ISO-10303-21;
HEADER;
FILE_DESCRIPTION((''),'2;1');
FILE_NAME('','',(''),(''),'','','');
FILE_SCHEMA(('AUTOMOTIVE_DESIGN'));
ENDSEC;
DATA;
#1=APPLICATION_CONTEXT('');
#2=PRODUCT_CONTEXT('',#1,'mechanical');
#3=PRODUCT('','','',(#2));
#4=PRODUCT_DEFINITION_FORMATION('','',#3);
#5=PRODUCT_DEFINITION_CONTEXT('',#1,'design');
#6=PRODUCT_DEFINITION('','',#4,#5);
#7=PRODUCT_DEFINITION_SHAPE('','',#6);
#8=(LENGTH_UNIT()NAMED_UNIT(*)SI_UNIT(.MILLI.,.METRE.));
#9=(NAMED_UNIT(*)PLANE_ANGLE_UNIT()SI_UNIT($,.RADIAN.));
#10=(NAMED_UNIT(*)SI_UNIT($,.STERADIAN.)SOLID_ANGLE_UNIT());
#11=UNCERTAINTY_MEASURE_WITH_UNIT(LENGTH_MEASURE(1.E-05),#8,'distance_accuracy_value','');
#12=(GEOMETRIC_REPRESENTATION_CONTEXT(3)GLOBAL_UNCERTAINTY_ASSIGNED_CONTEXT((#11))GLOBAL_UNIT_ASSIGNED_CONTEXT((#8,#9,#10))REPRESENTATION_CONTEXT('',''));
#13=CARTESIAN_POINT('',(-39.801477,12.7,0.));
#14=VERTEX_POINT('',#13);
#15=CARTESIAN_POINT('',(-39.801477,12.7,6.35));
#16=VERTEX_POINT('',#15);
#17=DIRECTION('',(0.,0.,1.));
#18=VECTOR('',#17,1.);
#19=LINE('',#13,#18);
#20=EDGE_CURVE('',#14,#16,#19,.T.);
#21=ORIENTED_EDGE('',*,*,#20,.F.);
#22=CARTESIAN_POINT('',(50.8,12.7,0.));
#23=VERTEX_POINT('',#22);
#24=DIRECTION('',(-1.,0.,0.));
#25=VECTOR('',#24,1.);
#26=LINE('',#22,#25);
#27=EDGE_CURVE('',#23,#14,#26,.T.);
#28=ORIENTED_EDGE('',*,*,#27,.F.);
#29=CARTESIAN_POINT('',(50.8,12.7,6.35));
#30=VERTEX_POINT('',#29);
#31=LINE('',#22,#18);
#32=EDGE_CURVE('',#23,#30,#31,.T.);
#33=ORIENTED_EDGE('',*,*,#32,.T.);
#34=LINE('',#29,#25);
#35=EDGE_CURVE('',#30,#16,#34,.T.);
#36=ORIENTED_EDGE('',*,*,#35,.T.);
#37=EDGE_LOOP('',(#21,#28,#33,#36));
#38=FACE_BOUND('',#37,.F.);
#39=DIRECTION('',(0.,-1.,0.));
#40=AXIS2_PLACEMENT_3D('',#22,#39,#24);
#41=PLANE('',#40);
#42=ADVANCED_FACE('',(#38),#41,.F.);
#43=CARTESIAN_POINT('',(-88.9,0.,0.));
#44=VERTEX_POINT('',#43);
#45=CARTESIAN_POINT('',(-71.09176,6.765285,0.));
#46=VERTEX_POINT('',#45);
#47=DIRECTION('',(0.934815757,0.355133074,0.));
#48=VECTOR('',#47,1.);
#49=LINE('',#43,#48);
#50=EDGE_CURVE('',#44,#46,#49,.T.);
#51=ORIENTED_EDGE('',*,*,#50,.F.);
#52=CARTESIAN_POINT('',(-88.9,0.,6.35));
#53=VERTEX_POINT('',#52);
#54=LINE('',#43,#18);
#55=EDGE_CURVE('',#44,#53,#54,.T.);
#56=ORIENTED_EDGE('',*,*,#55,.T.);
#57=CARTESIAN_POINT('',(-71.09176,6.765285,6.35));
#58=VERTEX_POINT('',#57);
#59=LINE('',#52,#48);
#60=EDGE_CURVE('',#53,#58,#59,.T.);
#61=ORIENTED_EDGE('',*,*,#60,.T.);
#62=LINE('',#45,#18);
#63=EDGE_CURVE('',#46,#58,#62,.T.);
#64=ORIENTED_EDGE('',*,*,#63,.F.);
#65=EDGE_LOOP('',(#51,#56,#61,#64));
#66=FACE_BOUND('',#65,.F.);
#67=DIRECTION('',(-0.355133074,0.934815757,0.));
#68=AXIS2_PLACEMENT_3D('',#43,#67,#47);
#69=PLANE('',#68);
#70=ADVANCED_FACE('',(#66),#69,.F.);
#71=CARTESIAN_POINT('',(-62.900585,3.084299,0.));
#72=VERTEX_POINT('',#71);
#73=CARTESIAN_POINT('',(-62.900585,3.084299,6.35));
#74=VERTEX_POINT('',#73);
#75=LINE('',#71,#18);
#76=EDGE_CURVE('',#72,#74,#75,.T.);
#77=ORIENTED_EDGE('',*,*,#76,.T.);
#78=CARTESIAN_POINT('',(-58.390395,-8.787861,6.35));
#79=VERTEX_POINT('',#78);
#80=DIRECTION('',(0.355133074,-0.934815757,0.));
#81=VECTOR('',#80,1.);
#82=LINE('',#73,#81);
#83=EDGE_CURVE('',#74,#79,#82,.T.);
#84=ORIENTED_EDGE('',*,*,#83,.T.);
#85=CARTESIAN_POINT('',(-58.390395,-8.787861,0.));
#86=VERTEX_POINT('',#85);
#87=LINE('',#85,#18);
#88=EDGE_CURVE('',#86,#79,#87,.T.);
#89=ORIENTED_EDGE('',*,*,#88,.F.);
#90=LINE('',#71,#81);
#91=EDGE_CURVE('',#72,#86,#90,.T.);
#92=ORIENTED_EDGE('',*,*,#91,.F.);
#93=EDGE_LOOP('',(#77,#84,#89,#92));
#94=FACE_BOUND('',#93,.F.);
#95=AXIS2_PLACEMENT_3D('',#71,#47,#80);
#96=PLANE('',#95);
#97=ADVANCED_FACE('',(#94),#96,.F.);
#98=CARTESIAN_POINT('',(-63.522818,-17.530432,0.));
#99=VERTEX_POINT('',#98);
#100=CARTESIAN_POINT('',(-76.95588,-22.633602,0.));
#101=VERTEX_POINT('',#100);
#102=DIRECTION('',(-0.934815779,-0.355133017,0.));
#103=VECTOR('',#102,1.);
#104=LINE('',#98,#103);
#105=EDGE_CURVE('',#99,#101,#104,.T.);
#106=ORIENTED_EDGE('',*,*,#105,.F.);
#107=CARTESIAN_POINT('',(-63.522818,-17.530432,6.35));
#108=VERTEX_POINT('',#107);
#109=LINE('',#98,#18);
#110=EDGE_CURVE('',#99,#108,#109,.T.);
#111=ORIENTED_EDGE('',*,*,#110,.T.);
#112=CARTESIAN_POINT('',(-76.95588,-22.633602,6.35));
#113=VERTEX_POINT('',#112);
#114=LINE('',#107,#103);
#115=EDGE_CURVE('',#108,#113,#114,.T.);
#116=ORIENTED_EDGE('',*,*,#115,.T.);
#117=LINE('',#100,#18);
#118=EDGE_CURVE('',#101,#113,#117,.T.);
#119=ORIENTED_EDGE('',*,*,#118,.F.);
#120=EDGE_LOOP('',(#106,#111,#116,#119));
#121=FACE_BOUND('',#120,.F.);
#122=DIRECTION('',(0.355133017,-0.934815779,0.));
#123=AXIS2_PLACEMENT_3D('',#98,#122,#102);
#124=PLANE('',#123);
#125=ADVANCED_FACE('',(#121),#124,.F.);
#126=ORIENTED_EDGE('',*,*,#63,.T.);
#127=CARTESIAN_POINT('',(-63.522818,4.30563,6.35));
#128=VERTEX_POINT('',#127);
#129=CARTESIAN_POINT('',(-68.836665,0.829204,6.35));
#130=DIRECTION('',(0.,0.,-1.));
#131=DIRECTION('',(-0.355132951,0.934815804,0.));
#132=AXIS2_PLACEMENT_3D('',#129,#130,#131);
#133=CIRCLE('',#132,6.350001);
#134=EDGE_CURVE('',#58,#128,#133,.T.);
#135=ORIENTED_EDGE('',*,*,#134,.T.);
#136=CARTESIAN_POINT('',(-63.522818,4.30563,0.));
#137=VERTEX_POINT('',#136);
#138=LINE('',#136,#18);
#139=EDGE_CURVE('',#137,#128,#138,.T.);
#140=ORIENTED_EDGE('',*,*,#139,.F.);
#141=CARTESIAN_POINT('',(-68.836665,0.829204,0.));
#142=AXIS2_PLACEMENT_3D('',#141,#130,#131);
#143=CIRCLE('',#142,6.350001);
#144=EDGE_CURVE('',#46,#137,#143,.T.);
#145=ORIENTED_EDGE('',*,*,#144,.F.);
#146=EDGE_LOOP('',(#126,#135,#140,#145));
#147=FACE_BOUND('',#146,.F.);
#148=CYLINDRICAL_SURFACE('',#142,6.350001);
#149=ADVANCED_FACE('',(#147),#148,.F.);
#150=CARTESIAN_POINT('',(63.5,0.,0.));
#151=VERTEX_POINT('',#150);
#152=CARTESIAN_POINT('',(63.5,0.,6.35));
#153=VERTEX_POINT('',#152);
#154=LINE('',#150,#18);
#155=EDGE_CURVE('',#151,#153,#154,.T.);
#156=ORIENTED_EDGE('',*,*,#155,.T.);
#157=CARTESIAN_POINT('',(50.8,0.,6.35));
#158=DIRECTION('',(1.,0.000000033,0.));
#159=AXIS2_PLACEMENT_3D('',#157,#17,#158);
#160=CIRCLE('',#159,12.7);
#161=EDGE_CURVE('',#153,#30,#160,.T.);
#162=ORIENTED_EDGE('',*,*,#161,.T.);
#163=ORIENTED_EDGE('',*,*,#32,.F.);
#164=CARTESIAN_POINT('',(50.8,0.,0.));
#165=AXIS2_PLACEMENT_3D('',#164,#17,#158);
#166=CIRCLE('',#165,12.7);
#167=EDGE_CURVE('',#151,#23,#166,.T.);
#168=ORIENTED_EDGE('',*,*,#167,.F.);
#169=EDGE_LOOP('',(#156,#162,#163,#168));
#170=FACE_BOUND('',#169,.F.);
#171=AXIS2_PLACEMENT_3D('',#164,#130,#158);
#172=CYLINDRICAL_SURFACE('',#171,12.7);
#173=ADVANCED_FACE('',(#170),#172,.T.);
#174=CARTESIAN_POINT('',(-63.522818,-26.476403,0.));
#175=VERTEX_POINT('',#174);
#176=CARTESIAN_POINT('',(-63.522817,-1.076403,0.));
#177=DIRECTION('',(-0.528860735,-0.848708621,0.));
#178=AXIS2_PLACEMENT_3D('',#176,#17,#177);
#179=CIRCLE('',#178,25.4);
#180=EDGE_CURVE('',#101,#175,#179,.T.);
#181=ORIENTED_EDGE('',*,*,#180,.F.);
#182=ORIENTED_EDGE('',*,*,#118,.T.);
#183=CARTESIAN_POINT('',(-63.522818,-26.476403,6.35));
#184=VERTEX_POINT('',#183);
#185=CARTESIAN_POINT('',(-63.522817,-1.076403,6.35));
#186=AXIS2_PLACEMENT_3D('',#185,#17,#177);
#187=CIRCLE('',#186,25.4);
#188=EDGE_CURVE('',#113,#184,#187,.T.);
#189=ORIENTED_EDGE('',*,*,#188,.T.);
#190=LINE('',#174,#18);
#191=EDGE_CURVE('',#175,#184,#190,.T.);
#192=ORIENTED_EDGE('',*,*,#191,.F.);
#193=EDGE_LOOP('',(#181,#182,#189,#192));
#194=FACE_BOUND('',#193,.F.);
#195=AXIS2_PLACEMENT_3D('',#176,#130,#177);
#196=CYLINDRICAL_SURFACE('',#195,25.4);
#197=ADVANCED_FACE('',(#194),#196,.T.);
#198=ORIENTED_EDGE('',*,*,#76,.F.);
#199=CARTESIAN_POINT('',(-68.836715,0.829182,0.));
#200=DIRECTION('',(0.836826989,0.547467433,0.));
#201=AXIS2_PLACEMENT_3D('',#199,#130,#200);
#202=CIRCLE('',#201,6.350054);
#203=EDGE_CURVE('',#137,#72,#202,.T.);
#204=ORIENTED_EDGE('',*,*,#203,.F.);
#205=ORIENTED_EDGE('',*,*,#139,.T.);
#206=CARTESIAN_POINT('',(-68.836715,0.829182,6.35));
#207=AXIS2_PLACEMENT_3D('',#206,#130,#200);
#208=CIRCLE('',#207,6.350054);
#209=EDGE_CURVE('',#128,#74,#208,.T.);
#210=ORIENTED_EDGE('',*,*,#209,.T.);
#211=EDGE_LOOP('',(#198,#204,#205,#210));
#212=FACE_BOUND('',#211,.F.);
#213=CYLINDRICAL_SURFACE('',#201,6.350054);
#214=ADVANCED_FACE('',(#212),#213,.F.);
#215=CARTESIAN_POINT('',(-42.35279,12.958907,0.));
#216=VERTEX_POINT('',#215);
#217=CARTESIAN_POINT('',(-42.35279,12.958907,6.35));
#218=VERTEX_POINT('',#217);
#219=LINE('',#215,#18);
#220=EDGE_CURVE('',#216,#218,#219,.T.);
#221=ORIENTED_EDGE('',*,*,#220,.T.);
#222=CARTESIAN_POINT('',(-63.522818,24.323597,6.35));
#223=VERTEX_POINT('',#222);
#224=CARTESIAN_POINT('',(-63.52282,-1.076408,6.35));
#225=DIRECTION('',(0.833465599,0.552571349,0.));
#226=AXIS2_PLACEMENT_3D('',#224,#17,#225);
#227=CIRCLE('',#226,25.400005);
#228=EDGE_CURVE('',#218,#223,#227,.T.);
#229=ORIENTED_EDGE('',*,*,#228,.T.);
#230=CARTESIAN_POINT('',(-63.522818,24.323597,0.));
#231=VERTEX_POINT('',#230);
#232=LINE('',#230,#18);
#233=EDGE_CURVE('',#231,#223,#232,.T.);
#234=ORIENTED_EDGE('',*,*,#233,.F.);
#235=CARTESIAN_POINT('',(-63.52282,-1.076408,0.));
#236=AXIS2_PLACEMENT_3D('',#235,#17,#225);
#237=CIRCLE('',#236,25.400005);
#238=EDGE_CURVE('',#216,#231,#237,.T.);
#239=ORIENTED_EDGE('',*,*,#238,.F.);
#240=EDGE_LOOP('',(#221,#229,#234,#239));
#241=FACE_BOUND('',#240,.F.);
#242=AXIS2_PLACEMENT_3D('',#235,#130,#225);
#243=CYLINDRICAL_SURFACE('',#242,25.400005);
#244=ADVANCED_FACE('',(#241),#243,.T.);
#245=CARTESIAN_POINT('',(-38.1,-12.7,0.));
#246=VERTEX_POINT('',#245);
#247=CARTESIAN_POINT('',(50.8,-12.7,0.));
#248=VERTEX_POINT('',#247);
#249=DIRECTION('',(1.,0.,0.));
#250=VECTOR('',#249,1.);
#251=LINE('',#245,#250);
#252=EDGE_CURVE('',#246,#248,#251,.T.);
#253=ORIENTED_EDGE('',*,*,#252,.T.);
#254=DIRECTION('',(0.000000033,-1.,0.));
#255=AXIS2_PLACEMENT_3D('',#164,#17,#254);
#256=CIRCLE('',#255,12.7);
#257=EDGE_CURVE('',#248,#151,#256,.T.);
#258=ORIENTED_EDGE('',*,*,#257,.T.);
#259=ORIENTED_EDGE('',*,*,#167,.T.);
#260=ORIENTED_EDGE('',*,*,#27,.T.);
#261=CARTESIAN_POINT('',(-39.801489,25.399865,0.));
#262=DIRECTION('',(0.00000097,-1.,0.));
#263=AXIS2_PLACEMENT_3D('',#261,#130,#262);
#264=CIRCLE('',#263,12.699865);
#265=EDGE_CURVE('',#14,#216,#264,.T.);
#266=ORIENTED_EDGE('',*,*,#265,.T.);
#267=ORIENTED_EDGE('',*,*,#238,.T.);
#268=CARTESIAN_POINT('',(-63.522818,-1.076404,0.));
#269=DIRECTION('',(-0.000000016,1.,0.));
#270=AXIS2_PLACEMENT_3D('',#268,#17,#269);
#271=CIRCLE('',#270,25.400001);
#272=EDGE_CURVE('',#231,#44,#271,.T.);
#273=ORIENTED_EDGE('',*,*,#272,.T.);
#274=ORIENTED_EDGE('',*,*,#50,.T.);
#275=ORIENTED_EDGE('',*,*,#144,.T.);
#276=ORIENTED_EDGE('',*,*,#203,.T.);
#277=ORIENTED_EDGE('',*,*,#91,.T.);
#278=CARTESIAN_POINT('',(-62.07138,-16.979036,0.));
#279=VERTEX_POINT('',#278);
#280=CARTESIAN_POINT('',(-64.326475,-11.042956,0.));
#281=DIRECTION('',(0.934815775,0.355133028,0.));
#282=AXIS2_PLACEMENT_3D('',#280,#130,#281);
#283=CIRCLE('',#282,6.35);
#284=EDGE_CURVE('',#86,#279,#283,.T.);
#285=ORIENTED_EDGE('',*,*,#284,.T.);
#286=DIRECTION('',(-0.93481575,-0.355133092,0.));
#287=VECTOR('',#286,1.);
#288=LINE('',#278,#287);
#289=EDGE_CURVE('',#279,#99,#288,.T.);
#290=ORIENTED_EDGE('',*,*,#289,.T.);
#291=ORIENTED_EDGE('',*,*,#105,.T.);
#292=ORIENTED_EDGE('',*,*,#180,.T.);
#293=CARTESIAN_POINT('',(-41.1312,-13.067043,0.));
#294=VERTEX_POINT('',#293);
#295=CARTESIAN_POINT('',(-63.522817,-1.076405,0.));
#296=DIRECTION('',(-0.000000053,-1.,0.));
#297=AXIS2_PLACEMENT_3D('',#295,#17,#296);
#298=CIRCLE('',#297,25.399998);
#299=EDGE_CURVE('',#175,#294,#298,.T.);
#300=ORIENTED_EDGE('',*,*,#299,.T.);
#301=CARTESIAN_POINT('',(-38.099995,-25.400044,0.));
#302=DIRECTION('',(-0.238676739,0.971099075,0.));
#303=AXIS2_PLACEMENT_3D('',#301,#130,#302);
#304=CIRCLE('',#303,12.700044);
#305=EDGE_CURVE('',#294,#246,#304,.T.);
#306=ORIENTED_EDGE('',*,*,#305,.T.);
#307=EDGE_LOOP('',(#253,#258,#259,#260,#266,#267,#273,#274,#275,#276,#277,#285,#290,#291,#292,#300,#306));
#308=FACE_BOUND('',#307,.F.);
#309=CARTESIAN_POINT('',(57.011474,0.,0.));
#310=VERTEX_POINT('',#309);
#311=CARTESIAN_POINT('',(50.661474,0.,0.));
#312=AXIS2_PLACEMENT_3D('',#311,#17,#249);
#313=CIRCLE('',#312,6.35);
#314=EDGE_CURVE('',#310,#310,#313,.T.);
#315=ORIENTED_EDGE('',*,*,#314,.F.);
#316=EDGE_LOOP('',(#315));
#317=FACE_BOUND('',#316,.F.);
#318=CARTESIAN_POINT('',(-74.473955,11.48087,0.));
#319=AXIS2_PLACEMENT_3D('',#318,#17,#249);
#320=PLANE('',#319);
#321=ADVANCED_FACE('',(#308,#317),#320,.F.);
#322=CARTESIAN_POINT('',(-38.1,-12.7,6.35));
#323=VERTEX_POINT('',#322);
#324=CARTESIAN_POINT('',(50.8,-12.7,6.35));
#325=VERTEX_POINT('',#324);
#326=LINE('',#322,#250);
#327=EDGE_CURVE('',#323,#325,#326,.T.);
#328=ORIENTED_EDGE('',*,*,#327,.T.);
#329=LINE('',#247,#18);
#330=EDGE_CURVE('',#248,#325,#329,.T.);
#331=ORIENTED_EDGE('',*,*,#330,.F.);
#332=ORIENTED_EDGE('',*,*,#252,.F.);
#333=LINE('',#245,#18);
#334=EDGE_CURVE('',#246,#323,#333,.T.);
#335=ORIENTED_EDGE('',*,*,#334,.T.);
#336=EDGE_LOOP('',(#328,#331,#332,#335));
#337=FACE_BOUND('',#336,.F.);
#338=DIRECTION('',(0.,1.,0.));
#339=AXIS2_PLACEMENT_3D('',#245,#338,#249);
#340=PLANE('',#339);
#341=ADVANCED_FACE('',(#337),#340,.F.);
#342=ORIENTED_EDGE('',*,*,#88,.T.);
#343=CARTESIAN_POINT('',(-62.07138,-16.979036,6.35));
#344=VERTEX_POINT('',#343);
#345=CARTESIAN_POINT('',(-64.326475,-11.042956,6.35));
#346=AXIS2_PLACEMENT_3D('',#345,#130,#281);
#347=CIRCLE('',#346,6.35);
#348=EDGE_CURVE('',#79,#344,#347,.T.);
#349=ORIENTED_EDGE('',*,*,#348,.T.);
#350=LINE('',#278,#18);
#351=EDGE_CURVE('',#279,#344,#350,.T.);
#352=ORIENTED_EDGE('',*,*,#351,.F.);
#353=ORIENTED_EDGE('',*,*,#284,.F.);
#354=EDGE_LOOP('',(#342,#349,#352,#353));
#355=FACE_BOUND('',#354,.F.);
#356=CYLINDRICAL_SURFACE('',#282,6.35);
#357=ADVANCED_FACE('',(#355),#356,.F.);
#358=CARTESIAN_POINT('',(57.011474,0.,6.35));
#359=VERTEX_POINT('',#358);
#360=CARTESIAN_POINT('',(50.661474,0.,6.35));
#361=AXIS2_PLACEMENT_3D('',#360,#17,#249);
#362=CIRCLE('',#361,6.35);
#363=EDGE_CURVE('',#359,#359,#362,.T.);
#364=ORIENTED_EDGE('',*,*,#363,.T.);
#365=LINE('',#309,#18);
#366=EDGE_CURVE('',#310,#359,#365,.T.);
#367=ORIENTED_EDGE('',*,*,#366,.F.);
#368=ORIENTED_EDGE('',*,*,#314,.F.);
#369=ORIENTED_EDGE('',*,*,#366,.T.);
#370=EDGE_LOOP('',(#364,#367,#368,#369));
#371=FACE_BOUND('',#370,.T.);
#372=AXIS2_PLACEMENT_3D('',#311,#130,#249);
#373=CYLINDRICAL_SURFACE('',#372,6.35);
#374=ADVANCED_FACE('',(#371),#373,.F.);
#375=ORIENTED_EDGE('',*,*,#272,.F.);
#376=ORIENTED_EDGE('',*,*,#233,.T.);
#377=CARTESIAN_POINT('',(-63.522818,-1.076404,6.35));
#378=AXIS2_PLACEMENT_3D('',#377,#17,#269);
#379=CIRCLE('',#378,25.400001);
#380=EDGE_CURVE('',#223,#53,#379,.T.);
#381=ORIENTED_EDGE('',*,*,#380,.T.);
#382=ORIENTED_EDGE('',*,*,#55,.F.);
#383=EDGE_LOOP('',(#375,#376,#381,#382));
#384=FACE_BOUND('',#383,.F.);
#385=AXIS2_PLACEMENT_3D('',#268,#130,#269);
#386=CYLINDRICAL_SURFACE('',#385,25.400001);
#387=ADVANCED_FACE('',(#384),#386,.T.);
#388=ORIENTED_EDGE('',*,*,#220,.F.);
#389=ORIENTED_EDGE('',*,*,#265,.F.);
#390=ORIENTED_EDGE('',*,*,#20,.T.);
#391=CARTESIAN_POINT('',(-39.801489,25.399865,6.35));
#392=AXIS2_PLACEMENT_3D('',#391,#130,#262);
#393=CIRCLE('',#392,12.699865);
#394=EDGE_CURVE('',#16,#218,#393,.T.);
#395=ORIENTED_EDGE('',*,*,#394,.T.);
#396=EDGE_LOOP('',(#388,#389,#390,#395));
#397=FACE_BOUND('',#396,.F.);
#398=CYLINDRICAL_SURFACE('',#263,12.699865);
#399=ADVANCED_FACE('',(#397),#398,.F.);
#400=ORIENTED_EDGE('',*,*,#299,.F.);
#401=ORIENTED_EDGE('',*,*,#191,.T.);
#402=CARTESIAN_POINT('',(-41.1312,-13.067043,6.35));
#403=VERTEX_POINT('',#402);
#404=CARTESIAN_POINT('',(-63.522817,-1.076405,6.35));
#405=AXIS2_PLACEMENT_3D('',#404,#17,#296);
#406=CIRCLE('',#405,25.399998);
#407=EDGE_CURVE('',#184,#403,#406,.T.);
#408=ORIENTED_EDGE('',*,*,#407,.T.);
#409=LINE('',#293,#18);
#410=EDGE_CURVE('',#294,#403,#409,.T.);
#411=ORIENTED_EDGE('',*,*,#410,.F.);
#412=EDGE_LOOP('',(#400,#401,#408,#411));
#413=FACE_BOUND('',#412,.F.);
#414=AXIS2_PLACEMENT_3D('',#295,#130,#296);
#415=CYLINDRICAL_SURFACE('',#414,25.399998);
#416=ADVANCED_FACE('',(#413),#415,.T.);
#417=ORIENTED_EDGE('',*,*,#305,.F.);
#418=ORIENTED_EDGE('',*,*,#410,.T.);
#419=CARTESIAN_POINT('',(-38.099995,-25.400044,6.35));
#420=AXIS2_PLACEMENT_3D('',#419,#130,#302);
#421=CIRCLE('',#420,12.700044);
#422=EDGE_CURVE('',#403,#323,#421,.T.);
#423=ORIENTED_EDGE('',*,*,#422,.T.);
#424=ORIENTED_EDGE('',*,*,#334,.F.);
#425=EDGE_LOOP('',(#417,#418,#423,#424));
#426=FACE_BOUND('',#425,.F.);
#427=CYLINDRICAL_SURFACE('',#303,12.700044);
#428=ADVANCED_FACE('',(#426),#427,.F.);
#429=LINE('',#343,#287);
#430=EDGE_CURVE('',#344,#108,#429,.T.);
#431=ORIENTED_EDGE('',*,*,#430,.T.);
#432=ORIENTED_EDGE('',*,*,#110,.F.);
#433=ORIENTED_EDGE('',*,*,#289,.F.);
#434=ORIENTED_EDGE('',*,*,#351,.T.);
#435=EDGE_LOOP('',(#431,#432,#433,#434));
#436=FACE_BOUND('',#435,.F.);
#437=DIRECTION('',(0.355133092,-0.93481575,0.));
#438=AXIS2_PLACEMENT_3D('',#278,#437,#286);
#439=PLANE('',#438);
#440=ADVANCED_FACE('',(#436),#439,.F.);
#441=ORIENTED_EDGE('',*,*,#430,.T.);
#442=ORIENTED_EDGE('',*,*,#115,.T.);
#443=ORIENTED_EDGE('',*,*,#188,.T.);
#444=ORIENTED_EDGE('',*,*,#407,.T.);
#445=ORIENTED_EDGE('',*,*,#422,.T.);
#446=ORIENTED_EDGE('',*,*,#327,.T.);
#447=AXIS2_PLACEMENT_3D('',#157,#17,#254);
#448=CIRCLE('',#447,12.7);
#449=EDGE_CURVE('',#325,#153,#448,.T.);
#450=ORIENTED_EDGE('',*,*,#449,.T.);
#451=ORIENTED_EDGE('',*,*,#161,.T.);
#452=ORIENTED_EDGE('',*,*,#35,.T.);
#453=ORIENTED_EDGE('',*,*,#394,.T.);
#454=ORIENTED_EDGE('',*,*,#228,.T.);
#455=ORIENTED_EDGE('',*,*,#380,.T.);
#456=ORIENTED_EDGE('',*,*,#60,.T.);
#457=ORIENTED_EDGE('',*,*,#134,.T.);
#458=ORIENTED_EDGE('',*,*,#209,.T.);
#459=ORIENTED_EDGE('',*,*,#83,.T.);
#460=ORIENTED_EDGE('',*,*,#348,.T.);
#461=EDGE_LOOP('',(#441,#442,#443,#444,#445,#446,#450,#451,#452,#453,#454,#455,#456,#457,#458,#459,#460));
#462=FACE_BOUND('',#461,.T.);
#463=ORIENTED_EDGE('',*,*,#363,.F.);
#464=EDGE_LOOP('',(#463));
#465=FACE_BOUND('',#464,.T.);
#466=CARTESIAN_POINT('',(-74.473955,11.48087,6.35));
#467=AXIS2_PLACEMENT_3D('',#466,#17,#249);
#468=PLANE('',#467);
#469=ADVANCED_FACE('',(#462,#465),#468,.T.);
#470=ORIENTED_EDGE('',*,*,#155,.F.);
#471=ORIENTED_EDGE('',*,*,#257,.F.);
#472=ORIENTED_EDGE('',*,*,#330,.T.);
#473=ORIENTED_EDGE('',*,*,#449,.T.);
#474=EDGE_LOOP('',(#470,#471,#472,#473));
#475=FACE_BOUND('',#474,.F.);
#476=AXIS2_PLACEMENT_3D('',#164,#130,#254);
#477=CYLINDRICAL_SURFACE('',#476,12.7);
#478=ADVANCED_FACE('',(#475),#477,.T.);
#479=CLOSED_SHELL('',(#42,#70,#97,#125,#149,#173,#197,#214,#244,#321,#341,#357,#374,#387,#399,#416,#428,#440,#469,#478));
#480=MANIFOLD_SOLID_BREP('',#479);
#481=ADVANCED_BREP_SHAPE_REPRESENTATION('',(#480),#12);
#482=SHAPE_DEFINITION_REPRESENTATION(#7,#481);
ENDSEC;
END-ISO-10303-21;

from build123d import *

# Parameters (mm, degrees)
F0_R     = 6.35
F1_DEPTH = 6.35


with BuildPart() as f1:
    # F0 (on Top) → F1 (new body)
    with BuildSketch(Plane.XY):
        with BuildLine():
            Line((-63.522818, 11.623597), (-63.522818, 24.323597))
            ThreePointArc((-63.522818, 24.323597), (-81.098645, 17.260726), (-88.9, 0))
            Line((-88.9, 0), (-71.09176, 6.765285))
            ThreePointArc((-71.09176, 6.765285), (-66.87415, 6.86833), (-63.522818, 4.30563))
            Line((-63.522818, 4.30563), (-63.522818, 11.623597))
        make_face()
        with BuildLine():
            ThreePointArc((-76.95588, -22.633602), (-70.508773, -25.496813), (-63.522818, -26.476403))
            Line((-63.522818, -26.476403), (-63.522818, -17.530432))
            Line((-63.522818, -17.530432), (-76.95588, -22.633602))
        make_face()
        with BuildLine():
            ThreePointArc((63.5, 0), (59.780256, 8.980256), (50.8, 12.7))
            Line((50.8, 12.7), (-39.801477, 12.7))
            ThreePointArc((-39.801477, 12.7), (-41.083686, 12.764892), (-42.35279, 12.958907))
            ThreePointArc((-42.35279, 12.958907), (-39.203292, 6.253034), (-38.122818, -1.076403))
            ThreePointArc((-38.122818, -1.076403), (-38.886391, -7.25754), (-41.1312, -13.067043))
            ThreePointArc((-41.1312, -13.067043), (-39.626671, -12.792095), (-38.1, -12.7))
            Line((-38.1, -12.7), (50.8, -12.7))
            ThreePointArc((50.8, -12.7), (59.780256, -8.980256), (63.5, 0))
        make_face()
        with Locations((50.661474, 0)):
            Circle(F0_R, mode=Mode.SUBTRACT)
        with BuildLine():
            ThreePointArc((-38.122818, -1.076403), (-39.203292, 6.253034), (-42.35279, 12.958907))
            ThreePointArc((-42.35279, 12.958907), (-44.282674, 13.516866), (-46.10043, 14.372163))
            Line((-46.10043, 14.372163), (-63.522818, 24.323597))
            Line((-63.522818, 24.323597), (-63.522818, 11.623597))
            Line((-63.522818, 11.623597), (-63.522818, 4.30563))
            ThreePointArc((-63.522818, 4.30563), (-63.178651, 3.711803), (-62.900585, 3.084299))
            Line((-62.900585, 3.084299), (-58.390395, -8.787861))
            ThreePointArc((-58.390395, -8.787861), (-58.53444, -13.645806), (-62.07138, -16.979036))
            Line((-62.07138, -16.979036), (-63.522818, -17.530432))
            Line((-63.522818, -17.530432), (-63.522818, -26.476403))
            Line((-63.522818, -26.476403), (-44.898486, -14.672904))
            ThreePointArc((-44.898486, -14.672904), (-43.079998, -13.717123), (-41.1312, -13.067043))
            ThreePointArc((-41.1312, -13.067043), (-38.886391, -7.25754), (-38.122818, -1.076403))
        make_face()
        with BuildLine():
            ThreePointArc((-46.10043, 14.372163), (-44.282674, 13.516866), (-42.35279, 12.958907))
            ThreePointArc((-42.35279, 12.958907), (-51.509011, 21.302793), (-63.522818, 24.323597))
            Line((-63.522818, 24.323597), (-46.10043, 14.372163))
        make_face()
        with BuildLine():
            ThreePointArc((-63.522818, -26.476403), (-50.472957, -22.867712), (-41.1312, -13.067043))
            ThreePointArc((-41.1312, -13.067043), (-43.079998, -13.717123), (-44.898486, -14.672904))
            Line((-44.898486, -14.672904), (-63.522818, -26.476403))
        make_face()
    extrude(amount=F1_DEPTH)


solid = f1.part
